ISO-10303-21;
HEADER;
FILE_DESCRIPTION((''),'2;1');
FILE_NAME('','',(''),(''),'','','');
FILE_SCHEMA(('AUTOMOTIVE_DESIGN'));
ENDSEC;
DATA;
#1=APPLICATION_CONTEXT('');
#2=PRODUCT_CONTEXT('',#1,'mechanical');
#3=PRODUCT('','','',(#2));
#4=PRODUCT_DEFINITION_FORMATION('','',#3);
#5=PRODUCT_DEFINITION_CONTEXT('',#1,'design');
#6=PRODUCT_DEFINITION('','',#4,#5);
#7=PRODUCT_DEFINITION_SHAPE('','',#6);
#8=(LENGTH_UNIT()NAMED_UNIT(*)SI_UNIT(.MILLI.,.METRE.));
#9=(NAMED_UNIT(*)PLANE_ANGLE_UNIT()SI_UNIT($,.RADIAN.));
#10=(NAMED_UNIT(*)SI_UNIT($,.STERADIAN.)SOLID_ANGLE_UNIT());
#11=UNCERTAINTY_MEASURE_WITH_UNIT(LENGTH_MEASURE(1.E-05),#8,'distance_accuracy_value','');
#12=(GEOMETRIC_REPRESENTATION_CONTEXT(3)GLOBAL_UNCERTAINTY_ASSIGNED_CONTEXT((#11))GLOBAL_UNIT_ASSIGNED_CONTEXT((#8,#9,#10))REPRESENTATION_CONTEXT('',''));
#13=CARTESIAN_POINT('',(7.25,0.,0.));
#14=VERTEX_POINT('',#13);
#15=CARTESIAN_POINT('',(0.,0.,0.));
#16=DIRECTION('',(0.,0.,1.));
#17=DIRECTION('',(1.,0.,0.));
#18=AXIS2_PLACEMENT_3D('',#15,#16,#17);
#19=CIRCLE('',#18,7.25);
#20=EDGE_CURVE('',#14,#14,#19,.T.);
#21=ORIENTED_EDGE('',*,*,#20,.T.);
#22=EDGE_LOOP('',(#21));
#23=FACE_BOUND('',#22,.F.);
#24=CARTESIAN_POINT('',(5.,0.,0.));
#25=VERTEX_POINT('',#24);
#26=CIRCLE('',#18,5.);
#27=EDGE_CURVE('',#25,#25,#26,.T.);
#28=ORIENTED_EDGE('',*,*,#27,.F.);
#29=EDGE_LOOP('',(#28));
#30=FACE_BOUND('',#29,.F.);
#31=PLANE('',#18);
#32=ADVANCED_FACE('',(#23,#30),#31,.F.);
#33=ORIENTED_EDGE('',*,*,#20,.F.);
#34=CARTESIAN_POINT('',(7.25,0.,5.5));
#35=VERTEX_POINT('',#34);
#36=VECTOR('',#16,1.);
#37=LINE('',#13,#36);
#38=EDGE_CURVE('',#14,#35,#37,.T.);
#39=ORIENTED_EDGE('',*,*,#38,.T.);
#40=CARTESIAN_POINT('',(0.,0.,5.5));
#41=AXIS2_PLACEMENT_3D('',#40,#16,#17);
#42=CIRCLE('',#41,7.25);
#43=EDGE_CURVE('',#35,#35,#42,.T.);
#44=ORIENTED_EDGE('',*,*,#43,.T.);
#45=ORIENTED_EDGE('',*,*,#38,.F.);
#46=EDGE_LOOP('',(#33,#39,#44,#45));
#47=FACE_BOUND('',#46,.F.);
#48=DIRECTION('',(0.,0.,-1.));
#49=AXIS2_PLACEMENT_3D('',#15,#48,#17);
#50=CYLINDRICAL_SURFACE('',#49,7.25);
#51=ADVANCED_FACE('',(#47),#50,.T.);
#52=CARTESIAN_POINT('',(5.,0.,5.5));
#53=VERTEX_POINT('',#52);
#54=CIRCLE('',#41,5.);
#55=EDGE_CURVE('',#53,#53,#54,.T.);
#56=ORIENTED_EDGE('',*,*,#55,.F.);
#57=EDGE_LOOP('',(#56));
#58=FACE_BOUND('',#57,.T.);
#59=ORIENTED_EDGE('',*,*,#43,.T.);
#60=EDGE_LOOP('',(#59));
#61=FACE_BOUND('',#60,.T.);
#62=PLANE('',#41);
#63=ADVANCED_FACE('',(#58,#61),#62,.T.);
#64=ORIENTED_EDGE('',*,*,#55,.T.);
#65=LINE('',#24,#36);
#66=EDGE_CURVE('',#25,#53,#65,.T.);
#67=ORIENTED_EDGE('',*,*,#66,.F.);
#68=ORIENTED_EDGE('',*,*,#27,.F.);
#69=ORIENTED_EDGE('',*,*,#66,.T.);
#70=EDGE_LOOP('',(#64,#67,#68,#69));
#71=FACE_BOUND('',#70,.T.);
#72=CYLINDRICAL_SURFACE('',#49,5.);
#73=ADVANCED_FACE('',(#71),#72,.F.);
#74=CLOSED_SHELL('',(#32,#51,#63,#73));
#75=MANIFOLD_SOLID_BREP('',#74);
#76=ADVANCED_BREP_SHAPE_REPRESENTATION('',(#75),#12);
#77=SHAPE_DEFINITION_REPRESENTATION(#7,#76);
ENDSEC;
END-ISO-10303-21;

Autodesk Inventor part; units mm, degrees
sketch "Sketch_1" plane through (0, 0, 0) normal (0, 0, 1) x (1, 0, 0)
  circle A0 centre (0, 0) radius 7.25
  circle A1 centre (0, 0) radius 5
extrude "Extrusion1" add sketch "Sketch_1" along normal blind 5.5
ref_plane "to_base_XY" through (0, 0, 0) normal (0, 0, 1) x (1, 0, 0)
ref_plane "to_base_YZ" through (0, 0, 0) normal (1, 0, 0) x (0, 1, 0)
ref_plane "to_base_ZX" through (0, 0, 0) normal (0, 1, 0) x (0, 0, 1)
ref_plane "to_nut_XY" through (0, 0, 5.5) normal (0, 0, 1) x (1, 0, 0)
ref_plane "to_nut_YZ" through (0, 0, 5.5) normal (1, 0, 0) x (0, 1, 0)
ref_plane "to_nut_ZX" through (0, 0, 5.5) normal (0, 1, 0) x (0, 0, 1)
properties part number "C-TFK10_c"
